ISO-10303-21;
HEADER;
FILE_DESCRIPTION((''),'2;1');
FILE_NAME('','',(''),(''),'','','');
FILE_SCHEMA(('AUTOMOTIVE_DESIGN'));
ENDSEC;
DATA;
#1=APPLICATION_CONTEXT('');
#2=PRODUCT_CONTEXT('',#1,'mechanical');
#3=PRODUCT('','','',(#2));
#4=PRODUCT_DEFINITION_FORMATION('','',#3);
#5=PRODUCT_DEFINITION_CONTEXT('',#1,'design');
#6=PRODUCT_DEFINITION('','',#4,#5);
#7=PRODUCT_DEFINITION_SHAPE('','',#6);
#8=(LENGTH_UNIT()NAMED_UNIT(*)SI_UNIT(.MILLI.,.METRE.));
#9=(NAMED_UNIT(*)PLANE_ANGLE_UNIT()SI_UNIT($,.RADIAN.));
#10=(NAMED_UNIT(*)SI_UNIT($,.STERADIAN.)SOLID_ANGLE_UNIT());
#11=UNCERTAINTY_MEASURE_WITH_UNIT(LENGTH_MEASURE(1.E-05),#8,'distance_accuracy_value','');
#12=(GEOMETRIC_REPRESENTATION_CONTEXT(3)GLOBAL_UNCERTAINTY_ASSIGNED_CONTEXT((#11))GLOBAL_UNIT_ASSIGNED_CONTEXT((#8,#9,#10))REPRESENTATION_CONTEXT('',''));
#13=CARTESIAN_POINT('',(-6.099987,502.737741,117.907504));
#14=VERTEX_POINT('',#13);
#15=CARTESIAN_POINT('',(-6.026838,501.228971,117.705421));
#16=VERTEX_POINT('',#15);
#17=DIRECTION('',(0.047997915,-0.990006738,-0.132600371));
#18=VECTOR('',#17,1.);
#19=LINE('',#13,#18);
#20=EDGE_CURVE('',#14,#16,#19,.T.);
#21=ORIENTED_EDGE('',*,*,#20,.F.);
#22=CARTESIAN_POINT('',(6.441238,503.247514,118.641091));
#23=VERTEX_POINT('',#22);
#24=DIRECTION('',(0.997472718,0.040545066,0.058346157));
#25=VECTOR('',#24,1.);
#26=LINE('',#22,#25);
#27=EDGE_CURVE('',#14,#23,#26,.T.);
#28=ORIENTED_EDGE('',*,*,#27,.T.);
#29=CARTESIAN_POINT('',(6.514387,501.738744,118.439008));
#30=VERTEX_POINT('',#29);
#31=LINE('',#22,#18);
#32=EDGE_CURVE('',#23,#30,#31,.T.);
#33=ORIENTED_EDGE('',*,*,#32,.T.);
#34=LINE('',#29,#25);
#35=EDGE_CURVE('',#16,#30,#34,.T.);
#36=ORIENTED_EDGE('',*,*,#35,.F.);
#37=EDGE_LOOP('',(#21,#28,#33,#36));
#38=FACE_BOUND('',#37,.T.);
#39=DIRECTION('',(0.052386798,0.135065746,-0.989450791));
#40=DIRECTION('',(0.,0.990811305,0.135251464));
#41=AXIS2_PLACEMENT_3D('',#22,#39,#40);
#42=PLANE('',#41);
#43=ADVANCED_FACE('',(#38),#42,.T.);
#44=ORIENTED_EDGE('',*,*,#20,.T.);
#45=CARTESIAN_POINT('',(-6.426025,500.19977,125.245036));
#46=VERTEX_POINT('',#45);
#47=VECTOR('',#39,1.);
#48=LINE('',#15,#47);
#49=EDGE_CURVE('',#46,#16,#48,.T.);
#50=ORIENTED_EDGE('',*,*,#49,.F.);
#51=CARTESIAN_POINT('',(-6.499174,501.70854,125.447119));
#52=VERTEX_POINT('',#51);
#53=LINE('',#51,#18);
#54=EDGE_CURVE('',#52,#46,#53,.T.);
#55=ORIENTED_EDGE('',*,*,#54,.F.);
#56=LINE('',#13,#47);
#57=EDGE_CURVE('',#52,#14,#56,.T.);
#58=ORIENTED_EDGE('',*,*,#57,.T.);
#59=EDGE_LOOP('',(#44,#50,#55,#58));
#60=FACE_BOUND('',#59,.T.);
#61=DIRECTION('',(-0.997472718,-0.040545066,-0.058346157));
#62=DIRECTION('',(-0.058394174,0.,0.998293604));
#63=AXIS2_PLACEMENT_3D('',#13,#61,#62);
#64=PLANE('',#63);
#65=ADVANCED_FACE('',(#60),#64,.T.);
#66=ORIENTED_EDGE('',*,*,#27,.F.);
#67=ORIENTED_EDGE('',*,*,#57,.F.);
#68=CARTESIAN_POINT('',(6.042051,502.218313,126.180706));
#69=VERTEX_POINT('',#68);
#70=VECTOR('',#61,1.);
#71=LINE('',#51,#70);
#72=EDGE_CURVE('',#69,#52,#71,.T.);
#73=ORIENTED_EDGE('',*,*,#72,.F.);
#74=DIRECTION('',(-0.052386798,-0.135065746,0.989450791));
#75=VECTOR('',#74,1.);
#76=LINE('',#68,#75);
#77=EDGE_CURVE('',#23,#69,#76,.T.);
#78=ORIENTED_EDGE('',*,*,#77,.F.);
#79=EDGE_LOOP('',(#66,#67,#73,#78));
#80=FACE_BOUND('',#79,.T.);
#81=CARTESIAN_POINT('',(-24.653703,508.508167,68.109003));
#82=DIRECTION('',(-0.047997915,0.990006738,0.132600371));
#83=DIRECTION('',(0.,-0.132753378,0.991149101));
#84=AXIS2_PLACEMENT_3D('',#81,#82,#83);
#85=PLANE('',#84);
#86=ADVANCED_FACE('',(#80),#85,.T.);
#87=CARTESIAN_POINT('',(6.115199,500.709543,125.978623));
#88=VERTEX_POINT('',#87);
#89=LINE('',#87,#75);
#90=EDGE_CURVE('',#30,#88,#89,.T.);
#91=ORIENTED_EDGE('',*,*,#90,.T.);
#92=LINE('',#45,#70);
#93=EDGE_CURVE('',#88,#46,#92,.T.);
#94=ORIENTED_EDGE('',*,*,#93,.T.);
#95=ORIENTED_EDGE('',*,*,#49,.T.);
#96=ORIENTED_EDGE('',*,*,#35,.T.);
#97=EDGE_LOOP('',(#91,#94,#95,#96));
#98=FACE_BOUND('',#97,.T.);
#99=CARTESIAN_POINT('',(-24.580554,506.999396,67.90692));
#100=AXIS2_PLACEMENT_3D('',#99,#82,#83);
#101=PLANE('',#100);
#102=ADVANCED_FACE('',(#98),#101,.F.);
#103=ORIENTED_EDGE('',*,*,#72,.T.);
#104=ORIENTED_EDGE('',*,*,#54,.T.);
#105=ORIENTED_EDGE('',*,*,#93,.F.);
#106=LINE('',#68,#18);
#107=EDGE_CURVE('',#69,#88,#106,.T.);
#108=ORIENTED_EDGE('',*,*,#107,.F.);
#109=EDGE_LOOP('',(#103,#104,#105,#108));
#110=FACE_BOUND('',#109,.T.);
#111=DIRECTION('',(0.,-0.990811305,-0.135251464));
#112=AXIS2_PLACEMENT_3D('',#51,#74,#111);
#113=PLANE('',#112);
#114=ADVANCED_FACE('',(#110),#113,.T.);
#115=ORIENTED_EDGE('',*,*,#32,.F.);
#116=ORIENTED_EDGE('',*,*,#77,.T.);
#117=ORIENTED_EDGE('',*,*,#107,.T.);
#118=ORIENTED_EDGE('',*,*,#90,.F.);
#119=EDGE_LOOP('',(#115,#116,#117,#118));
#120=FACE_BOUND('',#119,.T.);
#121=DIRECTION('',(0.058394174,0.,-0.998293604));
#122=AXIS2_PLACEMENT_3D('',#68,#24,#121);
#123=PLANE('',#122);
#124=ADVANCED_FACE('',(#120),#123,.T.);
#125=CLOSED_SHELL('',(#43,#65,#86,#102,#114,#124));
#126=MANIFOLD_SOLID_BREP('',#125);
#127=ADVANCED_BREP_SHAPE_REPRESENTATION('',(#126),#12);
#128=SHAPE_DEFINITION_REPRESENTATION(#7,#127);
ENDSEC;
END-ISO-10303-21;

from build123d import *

# Parameters (mm, degrees)
BOSS_EXTRUDE1_DEPTH = 1.524


with BuildPart() as part:
    # Sketch2 → Boss-Extrude1 (new body)
    with BuildSketch(Plane(origin=(-24.580553679, 506.999396267, 67.906919684), x_dir=(-0.998847436, -0.04757309, -0.006371885), z_dir=(0.047997915, -0.990006738, -0.132600371))):
        Polygon((-31.130820698, -50.783202827), (-18.575124968, -50.123783596), (-18.175476949, -57.73329616), (-30.731172679, -58.392715391), align=None)
    extrude(amount=-BOSS_EXTRUDE1_DEPTH)


solid = part.part
